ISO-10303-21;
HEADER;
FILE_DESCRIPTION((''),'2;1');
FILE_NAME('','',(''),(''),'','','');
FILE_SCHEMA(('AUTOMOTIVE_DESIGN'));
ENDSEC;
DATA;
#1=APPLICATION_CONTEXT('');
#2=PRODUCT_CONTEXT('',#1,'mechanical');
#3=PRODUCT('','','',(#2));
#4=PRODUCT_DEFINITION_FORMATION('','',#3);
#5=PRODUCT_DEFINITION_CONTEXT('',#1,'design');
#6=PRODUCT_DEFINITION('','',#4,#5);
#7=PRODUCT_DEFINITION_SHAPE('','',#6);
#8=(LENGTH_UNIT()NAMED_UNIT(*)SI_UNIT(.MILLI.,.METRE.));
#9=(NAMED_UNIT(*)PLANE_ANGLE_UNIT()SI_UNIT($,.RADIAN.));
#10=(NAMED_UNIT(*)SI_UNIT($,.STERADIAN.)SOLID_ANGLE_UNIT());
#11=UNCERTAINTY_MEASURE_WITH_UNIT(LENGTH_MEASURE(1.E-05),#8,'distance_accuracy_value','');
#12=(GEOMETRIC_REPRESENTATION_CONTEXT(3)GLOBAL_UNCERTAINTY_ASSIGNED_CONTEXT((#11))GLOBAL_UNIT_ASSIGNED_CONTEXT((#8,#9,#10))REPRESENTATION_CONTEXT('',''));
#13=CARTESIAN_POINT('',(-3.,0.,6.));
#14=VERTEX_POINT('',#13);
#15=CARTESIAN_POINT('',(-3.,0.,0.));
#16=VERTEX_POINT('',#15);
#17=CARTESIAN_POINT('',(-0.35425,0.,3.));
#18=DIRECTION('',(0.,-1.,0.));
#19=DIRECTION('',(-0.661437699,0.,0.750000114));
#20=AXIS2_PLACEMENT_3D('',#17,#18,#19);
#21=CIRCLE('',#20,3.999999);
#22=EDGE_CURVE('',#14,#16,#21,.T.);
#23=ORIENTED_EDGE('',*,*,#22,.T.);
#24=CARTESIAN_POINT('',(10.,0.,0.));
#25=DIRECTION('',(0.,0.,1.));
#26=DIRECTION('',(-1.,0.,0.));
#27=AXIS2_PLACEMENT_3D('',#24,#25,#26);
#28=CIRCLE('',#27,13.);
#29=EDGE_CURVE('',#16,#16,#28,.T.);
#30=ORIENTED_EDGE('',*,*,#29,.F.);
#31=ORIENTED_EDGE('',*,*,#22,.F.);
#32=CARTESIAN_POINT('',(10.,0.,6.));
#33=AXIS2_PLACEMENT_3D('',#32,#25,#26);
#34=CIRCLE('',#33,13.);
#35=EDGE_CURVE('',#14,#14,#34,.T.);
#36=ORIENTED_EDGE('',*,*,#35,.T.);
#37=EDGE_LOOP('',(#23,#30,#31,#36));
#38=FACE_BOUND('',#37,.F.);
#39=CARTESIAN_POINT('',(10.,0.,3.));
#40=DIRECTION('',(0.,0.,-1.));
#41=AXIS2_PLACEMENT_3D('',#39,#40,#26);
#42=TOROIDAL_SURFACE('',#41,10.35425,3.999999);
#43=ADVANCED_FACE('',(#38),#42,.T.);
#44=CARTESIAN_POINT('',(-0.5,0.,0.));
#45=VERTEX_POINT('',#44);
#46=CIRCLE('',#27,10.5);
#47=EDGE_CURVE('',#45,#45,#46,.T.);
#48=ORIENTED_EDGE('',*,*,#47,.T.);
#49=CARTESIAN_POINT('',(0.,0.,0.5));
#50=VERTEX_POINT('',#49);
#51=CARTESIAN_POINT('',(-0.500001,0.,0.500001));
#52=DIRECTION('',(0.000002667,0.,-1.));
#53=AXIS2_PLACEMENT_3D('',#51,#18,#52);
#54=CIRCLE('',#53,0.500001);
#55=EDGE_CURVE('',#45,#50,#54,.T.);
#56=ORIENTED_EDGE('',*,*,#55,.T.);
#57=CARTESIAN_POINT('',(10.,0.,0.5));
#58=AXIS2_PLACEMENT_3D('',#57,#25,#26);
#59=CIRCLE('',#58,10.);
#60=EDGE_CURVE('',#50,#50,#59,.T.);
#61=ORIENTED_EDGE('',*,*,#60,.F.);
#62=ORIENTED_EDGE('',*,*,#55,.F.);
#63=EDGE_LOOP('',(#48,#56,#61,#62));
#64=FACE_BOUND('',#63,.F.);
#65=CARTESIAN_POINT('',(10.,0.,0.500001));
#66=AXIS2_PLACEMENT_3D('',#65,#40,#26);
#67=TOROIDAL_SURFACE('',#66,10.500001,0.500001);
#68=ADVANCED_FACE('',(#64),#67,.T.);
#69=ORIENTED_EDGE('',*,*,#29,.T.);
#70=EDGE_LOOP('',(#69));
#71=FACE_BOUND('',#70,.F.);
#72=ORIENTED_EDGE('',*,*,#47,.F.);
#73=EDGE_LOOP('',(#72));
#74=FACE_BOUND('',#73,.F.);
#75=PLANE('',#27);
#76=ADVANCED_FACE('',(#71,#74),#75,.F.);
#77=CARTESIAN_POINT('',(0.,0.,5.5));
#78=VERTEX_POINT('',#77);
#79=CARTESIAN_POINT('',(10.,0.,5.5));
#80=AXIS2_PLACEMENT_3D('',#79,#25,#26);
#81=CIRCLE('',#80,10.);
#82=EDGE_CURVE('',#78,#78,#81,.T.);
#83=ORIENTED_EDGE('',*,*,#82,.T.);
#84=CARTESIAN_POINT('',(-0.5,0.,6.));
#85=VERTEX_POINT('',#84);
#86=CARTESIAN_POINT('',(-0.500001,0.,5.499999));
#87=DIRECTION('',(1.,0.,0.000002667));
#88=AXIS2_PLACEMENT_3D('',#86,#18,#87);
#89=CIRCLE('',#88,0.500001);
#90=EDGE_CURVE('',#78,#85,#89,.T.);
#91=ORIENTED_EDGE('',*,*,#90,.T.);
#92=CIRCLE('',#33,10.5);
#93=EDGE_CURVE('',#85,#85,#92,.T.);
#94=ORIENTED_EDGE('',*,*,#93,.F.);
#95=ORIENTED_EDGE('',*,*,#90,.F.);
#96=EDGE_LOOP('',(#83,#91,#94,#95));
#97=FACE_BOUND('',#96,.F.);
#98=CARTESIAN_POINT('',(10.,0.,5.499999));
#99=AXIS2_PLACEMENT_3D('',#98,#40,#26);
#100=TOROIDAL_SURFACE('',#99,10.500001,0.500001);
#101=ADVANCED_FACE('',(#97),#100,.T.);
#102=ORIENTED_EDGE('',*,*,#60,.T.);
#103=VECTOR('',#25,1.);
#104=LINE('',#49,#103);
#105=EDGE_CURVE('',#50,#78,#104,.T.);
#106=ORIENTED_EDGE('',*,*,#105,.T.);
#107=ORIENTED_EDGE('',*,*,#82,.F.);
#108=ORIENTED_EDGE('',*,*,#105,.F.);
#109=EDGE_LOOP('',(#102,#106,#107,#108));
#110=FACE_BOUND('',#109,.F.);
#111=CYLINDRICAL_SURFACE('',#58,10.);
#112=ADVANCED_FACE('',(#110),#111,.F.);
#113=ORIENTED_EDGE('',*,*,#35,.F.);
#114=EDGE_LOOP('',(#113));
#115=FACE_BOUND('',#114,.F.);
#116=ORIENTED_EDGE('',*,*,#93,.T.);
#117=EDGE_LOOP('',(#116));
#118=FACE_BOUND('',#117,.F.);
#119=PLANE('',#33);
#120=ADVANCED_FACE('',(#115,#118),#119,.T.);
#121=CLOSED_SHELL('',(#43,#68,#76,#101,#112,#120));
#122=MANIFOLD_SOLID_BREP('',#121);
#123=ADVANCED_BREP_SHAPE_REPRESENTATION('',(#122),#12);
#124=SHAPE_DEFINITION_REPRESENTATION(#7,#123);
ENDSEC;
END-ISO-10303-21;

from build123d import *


with BuildPart() as f1:
    # F0 (on Front) → F1 (revolve)
    with BuildSketch(Plane.XZ):
        with BuildLine():
            ThreePointArc((-0.5, 0), (-0.146447, 0.146447), (0, 0.5))
            Line((0, 0.5), (0, 5.5))
            ThreePointArc((0, 5.5), (-0.146447, 5.853553), (-0.5, 6))
            Line((-0.5, 6), (-3, 6))
            ThreePointArc((-3, 6), (-4.354249, 3), (-3, 0))
            Line((-3, 0), (-0.5, 0))
        make_face()
    revolve(axis=Axis((10, 0, 3), (0, 0, 1)))


solid = f1.part
